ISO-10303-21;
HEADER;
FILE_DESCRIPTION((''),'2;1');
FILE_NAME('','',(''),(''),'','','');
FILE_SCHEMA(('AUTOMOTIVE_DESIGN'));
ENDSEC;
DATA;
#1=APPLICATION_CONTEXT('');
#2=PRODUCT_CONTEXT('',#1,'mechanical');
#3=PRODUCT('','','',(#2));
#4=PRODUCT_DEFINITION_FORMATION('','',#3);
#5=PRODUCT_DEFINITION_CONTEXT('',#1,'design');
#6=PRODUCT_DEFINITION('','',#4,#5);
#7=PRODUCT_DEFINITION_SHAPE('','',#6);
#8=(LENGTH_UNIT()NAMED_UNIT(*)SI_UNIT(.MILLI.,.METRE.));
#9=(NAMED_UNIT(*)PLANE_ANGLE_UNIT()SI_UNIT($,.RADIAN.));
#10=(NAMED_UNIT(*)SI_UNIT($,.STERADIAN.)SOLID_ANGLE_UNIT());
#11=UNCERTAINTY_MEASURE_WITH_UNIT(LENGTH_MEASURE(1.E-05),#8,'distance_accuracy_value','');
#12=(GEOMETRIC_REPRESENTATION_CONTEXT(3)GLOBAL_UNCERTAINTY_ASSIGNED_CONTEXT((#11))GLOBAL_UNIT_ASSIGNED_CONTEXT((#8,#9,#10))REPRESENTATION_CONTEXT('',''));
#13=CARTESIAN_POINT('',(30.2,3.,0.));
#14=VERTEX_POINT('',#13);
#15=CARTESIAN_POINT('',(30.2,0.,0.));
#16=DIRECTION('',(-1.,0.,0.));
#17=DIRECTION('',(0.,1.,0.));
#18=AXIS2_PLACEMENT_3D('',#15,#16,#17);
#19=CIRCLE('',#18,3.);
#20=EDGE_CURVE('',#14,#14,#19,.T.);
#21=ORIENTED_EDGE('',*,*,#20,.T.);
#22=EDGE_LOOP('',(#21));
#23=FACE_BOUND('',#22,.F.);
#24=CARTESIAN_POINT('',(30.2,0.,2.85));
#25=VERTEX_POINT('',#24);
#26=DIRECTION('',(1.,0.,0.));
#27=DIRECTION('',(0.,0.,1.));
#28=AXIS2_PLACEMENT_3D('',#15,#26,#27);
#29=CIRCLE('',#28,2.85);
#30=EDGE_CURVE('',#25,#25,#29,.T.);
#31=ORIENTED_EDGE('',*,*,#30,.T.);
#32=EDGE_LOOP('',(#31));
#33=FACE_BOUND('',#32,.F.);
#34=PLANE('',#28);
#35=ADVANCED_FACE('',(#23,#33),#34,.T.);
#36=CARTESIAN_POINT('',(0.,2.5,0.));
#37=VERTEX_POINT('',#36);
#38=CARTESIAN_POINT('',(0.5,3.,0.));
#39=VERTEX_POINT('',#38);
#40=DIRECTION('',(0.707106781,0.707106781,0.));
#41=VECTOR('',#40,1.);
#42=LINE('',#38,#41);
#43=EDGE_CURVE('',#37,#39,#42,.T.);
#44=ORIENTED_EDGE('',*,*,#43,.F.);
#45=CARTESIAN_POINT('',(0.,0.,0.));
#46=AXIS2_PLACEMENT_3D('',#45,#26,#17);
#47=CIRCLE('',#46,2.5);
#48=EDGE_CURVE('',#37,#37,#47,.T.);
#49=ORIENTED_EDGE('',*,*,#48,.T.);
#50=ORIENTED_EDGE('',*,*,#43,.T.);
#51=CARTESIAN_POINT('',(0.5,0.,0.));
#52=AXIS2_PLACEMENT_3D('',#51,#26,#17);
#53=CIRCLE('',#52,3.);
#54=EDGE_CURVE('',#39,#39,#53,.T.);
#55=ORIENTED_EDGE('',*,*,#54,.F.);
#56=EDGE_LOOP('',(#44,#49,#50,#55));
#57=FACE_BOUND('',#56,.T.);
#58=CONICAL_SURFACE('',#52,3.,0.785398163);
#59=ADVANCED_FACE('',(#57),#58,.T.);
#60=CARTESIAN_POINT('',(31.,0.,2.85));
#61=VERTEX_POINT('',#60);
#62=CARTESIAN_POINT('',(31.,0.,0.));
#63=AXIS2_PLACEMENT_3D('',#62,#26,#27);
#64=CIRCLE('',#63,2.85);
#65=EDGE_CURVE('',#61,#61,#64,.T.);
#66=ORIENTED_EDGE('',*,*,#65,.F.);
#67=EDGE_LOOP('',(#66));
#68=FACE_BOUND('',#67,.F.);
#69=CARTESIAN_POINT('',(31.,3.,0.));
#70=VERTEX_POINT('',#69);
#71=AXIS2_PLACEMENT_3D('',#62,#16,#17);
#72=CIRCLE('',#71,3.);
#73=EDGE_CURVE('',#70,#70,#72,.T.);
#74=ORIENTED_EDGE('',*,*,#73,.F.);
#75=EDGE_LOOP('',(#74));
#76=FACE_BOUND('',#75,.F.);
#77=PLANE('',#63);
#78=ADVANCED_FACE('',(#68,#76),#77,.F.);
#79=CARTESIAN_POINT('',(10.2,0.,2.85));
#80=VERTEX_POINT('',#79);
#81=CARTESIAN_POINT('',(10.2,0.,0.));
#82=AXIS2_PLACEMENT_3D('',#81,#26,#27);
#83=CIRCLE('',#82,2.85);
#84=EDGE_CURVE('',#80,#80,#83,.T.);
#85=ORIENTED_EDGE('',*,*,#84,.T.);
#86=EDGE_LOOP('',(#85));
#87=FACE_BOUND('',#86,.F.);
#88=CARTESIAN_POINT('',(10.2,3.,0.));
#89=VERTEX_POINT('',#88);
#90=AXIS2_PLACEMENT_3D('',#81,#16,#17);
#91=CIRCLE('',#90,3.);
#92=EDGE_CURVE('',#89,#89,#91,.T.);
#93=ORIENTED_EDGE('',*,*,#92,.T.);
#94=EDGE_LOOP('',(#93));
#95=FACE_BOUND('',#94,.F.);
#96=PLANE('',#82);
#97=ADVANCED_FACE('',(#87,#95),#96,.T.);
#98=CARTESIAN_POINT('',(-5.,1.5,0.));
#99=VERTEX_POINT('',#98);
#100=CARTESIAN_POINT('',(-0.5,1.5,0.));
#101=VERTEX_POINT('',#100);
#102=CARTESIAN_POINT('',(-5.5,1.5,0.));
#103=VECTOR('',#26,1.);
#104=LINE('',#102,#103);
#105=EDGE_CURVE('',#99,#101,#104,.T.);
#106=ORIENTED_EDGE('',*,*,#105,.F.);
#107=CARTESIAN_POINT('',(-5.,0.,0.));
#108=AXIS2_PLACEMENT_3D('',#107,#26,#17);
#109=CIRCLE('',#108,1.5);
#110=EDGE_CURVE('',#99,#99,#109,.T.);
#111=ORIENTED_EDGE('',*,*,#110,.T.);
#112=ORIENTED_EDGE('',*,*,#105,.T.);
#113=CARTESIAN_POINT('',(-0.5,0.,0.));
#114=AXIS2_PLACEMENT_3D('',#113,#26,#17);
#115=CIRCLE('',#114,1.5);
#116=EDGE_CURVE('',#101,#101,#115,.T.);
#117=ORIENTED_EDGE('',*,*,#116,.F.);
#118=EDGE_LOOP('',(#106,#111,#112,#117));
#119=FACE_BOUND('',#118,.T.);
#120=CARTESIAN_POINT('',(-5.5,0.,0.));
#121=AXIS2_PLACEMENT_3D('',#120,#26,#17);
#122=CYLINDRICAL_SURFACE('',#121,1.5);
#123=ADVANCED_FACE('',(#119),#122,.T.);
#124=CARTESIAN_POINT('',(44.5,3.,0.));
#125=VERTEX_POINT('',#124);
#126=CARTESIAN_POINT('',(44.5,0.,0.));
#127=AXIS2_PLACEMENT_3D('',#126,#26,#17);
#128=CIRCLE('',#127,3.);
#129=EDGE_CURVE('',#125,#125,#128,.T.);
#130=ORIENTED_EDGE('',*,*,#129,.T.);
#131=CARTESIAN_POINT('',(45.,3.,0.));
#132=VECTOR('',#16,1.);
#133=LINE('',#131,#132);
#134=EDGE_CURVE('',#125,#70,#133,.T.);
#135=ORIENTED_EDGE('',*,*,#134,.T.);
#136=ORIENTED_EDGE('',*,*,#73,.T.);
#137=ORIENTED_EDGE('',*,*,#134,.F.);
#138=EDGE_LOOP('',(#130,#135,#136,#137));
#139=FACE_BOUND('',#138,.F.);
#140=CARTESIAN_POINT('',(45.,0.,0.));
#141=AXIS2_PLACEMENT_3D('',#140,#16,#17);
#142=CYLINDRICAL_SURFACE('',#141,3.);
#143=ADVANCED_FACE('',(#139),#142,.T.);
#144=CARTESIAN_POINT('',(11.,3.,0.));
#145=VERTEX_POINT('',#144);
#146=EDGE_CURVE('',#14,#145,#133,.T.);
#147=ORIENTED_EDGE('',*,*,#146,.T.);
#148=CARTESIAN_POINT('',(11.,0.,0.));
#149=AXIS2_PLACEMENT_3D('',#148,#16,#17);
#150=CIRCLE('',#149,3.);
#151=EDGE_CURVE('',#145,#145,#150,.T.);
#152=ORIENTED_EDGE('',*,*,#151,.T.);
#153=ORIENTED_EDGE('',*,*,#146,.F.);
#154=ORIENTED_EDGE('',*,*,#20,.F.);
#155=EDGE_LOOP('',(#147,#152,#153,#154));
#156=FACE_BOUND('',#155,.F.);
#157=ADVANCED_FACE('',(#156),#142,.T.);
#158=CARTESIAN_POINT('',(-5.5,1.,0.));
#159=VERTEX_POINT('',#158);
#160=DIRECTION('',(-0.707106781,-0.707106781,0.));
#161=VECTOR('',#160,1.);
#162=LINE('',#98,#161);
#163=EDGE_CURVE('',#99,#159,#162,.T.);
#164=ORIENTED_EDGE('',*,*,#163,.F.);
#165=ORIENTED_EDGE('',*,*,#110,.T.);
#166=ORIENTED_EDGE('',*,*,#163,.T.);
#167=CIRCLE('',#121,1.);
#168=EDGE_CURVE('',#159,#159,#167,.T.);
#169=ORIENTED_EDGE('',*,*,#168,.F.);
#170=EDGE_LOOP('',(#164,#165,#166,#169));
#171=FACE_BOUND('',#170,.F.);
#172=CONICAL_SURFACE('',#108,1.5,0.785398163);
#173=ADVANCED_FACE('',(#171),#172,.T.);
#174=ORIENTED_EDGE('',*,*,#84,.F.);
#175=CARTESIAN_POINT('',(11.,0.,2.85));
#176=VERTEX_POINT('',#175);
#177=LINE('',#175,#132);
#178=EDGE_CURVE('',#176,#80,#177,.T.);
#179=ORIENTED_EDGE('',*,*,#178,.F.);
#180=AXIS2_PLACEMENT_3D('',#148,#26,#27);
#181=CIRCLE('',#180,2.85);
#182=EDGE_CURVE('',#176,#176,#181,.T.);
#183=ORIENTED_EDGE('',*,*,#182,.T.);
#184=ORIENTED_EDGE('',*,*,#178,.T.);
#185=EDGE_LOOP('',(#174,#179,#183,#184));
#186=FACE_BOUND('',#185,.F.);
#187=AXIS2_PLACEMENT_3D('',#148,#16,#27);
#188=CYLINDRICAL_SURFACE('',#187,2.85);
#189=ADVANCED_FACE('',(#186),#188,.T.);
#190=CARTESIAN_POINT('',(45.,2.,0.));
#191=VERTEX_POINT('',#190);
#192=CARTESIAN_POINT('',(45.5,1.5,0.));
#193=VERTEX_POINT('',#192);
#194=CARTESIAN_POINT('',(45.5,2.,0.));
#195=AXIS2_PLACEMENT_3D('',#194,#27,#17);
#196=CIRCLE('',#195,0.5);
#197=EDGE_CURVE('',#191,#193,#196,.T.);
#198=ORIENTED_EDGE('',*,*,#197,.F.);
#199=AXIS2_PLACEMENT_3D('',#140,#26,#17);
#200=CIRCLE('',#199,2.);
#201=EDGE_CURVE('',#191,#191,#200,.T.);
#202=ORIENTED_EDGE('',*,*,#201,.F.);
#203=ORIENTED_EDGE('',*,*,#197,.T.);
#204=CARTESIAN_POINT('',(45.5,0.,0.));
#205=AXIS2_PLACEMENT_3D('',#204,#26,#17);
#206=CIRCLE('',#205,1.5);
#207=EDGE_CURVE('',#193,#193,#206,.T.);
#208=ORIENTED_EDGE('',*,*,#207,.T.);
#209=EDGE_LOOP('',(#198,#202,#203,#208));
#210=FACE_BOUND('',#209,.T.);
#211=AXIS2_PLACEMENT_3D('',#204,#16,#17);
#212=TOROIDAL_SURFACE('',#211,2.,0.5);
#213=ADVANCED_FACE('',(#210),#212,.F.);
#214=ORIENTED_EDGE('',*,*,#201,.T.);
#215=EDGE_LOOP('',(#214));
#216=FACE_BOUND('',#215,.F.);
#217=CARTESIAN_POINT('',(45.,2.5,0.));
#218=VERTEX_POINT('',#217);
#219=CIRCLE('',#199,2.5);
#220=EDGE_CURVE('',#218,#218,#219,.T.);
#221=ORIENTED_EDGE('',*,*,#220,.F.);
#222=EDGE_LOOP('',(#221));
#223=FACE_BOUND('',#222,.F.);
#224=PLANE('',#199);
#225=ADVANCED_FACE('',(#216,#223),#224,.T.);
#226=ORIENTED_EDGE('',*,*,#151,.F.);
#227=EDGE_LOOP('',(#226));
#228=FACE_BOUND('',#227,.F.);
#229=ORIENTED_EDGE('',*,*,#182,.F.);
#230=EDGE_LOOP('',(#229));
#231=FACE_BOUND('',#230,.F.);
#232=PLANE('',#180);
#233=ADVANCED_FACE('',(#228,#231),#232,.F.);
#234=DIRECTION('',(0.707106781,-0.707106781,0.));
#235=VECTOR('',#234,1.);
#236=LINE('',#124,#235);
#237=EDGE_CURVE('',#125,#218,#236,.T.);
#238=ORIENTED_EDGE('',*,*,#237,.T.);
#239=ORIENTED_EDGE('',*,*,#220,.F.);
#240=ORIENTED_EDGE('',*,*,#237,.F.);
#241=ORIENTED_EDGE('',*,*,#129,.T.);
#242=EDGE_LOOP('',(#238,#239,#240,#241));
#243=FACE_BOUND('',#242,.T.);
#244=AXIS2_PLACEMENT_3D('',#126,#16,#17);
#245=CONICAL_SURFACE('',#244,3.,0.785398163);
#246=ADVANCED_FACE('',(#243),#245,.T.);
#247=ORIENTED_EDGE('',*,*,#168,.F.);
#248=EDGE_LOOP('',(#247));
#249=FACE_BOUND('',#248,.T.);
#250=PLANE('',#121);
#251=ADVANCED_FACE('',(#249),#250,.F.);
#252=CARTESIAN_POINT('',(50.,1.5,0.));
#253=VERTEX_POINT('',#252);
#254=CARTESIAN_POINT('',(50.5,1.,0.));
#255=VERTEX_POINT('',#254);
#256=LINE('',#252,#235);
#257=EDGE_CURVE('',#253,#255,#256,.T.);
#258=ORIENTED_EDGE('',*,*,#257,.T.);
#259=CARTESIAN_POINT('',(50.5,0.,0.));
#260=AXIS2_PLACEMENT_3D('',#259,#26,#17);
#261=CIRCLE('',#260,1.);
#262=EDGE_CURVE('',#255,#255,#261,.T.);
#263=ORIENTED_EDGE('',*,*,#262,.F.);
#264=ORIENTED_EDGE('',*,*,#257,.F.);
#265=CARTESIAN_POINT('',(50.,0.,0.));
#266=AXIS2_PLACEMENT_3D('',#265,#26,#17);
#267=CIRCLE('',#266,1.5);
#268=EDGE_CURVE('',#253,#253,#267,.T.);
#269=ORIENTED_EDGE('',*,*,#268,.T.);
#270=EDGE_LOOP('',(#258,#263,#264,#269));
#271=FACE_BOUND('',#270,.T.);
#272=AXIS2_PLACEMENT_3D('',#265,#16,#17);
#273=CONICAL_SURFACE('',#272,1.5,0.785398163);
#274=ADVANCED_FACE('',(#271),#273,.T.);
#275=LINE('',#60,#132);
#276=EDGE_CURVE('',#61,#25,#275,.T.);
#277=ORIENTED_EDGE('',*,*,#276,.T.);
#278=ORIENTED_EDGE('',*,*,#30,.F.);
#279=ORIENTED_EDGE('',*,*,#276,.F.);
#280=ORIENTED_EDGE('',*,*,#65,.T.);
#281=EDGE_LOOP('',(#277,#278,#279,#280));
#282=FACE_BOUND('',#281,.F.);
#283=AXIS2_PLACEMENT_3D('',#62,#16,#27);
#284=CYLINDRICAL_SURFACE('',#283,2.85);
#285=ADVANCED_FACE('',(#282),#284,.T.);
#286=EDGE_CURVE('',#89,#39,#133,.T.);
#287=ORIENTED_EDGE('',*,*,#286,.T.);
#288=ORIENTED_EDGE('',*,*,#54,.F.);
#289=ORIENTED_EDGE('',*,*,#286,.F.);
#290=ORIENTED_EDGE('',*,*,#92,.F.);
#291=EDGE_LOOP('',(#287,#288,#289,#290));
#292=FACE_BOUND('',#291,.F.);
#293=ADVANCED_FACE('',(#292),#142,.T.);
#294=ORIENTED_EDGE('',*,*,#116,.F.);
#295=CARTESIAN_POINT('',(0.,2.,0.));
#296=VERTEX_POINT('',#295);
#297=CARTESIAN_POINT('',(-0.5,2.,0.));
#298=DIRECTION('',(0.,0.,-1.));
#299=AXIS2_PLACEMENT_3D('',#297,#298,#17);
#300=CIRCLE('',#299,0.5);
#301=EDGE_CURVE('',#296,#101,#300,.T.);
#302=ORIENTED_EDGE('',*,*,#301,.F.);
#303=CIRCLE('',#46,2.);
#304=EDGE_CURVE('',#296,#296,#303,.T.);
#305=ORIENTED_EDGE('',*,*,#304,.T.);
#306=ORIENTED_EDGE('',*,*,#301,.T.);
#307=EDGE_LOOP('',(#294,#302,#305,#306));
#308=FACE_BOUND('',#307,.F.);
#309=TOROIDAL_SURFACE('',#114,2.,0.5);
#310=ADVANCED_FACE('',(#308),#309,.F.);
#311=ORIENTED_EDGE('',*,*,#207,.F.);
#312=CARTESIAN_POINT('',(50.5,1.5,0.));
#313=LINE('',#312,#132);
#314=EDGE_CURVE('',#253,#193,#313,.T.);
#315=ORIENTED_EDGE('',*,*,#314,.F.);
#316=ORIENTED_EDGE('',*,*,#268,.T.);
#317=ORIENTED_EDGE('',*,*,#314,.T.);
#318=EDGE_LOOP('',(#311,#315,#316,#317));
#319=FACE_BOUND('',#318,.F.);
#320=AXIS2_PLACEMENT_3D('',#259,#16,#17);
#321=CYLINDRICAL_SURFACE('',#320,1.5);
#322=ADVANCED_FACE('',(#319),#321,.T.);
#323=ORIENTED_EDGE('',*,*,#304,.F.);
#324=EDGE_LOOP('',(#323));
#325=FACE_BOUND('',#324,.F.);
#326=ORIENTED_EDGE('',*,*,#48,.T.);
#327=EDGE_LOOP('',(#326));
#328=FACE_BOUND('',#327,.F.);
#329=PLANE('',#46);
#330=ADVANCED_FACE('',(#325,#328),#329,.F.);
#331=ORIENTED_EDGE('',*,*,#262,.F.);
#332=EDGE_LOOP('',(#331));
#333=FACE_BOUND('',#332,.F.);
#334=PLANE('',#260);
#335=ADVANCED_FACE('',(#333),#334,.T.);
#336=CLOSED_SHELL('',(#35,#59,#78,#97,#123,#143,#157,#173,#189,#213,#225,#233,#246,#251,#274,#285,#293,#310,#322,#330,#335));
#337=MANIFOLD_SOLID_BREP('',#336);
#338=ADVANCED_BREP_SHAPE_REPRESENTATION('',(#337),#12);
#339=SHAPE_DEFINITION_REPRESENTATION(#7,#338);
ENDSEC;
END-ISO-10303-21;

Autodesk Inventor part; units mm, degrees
ref_plane "YZ Plane" through (0, 0, 0) normal (1, 0, 0) x (0, 1, 0)
ref_plane "XZ Plane" through (0, 0, 0) normal (0, 1, 0) x (-1, 0, 0)
ref_plane "XY Plane" through (0, 0, 0) normal (0, 0, 1) x (1, 0, 0)
sketch "Sketch1" plane through (0, 0, 0) normal (0, 0, 1) x (1, 0, 0)
  line L0 (0, 0) -> (45, 0)
  line L1 (45, 0) -> (45, 3)
  line L2 (45, 3) -> (0, 3)
  line L3 (0, 3) -> (0, 0)
  line L4 (0, 0) -> (-5.5, 0)
  line L5 (-5.5, 0) -> (-5.5, 1.5)
  line L6 (-5.5, 1.5) -> (0, 1.5)
  line L7 (0, 1.5) -> (0, 0)
  line L8 (45, 0) -> (50.5, 0)
  line L9 (50.5, 0) -> (50.5, 1.5)
  line L10 (50.5, 1.5) -> (45, 1.5)
  line L11 (45, 1.5) -> (45, 0)
  dimension "d0" = 3
  dimension "d1" = 45
  dimension "d2" = 1.5
  dimension "d3" = 5.5
  dimension "d4" = 1.5
  dimension "d5" = 5.5
revolve "Revolution1" add sketch "Sketch1" angle 360 about axis through (0, 0, 0) along (1, 0, 0)
fillet "Fillet1" radius 0.5 2 edges at (45, -1.5, 0) (0, -1.5, 0)
chamfer "Chamfer1" distance 0.5 angle 45 4 edges at (-5.5, -1.5, 0) (0, -3, 0) (45, -3, 0) (50.5, -1.5, 0)
sketch "Sketch2" plane through (0, 0, 0) normal (0, 1, 0) x (-1, 0, 0)
  line L0 (-10.2, 3) -> (-11, 3)
  line L1 (-11, 3) -> (-11, 2.85)
  line L2 (-11, 2.85) -> (-10.2, 2.85)
  line L3 (-10.2, 2.85) -> (-10.2, 3)
  line L4 (-0.5, -3) -> (-0.5, 3) projected
  line L5 (-44.5, 3) -> (-44.5, -3) projected
  line L6 (6.7, 0) -> (-40.2, 0) projected
  line L7 (0, 2.5) -> (0, -2.5) projected
  line L8 (-30.2, 3) -> (-31, 3)
  line L9 (-31, 3) -> (-31, 2.85)
  line L10 (-31, 2.85) -> (-30.2, 2.85)
  line L11 (-30.2, 2.85) -> (-30.2, 3)
  line L12 (-45, -2.5) -> (-45, 2.5) projected
  point P0 (0, 0)
  dimension "d11" = 2.85
  dimension "d12" = 0.8
  dimension "d15" = 0.8
  dimension "d17" = 20
  dimension "d19" = 14
  dimension "d20" = 11
revolve "Revolution2" cut sketch "Sketch2" angle 360 about axis through (-10, 0, 0) along (1, 0, 0)
equation "\"d4\" = d2"
equation "\"d15\" = d12"
properties part number "Top_Separator Shaft" material "Aluminum 6061"
